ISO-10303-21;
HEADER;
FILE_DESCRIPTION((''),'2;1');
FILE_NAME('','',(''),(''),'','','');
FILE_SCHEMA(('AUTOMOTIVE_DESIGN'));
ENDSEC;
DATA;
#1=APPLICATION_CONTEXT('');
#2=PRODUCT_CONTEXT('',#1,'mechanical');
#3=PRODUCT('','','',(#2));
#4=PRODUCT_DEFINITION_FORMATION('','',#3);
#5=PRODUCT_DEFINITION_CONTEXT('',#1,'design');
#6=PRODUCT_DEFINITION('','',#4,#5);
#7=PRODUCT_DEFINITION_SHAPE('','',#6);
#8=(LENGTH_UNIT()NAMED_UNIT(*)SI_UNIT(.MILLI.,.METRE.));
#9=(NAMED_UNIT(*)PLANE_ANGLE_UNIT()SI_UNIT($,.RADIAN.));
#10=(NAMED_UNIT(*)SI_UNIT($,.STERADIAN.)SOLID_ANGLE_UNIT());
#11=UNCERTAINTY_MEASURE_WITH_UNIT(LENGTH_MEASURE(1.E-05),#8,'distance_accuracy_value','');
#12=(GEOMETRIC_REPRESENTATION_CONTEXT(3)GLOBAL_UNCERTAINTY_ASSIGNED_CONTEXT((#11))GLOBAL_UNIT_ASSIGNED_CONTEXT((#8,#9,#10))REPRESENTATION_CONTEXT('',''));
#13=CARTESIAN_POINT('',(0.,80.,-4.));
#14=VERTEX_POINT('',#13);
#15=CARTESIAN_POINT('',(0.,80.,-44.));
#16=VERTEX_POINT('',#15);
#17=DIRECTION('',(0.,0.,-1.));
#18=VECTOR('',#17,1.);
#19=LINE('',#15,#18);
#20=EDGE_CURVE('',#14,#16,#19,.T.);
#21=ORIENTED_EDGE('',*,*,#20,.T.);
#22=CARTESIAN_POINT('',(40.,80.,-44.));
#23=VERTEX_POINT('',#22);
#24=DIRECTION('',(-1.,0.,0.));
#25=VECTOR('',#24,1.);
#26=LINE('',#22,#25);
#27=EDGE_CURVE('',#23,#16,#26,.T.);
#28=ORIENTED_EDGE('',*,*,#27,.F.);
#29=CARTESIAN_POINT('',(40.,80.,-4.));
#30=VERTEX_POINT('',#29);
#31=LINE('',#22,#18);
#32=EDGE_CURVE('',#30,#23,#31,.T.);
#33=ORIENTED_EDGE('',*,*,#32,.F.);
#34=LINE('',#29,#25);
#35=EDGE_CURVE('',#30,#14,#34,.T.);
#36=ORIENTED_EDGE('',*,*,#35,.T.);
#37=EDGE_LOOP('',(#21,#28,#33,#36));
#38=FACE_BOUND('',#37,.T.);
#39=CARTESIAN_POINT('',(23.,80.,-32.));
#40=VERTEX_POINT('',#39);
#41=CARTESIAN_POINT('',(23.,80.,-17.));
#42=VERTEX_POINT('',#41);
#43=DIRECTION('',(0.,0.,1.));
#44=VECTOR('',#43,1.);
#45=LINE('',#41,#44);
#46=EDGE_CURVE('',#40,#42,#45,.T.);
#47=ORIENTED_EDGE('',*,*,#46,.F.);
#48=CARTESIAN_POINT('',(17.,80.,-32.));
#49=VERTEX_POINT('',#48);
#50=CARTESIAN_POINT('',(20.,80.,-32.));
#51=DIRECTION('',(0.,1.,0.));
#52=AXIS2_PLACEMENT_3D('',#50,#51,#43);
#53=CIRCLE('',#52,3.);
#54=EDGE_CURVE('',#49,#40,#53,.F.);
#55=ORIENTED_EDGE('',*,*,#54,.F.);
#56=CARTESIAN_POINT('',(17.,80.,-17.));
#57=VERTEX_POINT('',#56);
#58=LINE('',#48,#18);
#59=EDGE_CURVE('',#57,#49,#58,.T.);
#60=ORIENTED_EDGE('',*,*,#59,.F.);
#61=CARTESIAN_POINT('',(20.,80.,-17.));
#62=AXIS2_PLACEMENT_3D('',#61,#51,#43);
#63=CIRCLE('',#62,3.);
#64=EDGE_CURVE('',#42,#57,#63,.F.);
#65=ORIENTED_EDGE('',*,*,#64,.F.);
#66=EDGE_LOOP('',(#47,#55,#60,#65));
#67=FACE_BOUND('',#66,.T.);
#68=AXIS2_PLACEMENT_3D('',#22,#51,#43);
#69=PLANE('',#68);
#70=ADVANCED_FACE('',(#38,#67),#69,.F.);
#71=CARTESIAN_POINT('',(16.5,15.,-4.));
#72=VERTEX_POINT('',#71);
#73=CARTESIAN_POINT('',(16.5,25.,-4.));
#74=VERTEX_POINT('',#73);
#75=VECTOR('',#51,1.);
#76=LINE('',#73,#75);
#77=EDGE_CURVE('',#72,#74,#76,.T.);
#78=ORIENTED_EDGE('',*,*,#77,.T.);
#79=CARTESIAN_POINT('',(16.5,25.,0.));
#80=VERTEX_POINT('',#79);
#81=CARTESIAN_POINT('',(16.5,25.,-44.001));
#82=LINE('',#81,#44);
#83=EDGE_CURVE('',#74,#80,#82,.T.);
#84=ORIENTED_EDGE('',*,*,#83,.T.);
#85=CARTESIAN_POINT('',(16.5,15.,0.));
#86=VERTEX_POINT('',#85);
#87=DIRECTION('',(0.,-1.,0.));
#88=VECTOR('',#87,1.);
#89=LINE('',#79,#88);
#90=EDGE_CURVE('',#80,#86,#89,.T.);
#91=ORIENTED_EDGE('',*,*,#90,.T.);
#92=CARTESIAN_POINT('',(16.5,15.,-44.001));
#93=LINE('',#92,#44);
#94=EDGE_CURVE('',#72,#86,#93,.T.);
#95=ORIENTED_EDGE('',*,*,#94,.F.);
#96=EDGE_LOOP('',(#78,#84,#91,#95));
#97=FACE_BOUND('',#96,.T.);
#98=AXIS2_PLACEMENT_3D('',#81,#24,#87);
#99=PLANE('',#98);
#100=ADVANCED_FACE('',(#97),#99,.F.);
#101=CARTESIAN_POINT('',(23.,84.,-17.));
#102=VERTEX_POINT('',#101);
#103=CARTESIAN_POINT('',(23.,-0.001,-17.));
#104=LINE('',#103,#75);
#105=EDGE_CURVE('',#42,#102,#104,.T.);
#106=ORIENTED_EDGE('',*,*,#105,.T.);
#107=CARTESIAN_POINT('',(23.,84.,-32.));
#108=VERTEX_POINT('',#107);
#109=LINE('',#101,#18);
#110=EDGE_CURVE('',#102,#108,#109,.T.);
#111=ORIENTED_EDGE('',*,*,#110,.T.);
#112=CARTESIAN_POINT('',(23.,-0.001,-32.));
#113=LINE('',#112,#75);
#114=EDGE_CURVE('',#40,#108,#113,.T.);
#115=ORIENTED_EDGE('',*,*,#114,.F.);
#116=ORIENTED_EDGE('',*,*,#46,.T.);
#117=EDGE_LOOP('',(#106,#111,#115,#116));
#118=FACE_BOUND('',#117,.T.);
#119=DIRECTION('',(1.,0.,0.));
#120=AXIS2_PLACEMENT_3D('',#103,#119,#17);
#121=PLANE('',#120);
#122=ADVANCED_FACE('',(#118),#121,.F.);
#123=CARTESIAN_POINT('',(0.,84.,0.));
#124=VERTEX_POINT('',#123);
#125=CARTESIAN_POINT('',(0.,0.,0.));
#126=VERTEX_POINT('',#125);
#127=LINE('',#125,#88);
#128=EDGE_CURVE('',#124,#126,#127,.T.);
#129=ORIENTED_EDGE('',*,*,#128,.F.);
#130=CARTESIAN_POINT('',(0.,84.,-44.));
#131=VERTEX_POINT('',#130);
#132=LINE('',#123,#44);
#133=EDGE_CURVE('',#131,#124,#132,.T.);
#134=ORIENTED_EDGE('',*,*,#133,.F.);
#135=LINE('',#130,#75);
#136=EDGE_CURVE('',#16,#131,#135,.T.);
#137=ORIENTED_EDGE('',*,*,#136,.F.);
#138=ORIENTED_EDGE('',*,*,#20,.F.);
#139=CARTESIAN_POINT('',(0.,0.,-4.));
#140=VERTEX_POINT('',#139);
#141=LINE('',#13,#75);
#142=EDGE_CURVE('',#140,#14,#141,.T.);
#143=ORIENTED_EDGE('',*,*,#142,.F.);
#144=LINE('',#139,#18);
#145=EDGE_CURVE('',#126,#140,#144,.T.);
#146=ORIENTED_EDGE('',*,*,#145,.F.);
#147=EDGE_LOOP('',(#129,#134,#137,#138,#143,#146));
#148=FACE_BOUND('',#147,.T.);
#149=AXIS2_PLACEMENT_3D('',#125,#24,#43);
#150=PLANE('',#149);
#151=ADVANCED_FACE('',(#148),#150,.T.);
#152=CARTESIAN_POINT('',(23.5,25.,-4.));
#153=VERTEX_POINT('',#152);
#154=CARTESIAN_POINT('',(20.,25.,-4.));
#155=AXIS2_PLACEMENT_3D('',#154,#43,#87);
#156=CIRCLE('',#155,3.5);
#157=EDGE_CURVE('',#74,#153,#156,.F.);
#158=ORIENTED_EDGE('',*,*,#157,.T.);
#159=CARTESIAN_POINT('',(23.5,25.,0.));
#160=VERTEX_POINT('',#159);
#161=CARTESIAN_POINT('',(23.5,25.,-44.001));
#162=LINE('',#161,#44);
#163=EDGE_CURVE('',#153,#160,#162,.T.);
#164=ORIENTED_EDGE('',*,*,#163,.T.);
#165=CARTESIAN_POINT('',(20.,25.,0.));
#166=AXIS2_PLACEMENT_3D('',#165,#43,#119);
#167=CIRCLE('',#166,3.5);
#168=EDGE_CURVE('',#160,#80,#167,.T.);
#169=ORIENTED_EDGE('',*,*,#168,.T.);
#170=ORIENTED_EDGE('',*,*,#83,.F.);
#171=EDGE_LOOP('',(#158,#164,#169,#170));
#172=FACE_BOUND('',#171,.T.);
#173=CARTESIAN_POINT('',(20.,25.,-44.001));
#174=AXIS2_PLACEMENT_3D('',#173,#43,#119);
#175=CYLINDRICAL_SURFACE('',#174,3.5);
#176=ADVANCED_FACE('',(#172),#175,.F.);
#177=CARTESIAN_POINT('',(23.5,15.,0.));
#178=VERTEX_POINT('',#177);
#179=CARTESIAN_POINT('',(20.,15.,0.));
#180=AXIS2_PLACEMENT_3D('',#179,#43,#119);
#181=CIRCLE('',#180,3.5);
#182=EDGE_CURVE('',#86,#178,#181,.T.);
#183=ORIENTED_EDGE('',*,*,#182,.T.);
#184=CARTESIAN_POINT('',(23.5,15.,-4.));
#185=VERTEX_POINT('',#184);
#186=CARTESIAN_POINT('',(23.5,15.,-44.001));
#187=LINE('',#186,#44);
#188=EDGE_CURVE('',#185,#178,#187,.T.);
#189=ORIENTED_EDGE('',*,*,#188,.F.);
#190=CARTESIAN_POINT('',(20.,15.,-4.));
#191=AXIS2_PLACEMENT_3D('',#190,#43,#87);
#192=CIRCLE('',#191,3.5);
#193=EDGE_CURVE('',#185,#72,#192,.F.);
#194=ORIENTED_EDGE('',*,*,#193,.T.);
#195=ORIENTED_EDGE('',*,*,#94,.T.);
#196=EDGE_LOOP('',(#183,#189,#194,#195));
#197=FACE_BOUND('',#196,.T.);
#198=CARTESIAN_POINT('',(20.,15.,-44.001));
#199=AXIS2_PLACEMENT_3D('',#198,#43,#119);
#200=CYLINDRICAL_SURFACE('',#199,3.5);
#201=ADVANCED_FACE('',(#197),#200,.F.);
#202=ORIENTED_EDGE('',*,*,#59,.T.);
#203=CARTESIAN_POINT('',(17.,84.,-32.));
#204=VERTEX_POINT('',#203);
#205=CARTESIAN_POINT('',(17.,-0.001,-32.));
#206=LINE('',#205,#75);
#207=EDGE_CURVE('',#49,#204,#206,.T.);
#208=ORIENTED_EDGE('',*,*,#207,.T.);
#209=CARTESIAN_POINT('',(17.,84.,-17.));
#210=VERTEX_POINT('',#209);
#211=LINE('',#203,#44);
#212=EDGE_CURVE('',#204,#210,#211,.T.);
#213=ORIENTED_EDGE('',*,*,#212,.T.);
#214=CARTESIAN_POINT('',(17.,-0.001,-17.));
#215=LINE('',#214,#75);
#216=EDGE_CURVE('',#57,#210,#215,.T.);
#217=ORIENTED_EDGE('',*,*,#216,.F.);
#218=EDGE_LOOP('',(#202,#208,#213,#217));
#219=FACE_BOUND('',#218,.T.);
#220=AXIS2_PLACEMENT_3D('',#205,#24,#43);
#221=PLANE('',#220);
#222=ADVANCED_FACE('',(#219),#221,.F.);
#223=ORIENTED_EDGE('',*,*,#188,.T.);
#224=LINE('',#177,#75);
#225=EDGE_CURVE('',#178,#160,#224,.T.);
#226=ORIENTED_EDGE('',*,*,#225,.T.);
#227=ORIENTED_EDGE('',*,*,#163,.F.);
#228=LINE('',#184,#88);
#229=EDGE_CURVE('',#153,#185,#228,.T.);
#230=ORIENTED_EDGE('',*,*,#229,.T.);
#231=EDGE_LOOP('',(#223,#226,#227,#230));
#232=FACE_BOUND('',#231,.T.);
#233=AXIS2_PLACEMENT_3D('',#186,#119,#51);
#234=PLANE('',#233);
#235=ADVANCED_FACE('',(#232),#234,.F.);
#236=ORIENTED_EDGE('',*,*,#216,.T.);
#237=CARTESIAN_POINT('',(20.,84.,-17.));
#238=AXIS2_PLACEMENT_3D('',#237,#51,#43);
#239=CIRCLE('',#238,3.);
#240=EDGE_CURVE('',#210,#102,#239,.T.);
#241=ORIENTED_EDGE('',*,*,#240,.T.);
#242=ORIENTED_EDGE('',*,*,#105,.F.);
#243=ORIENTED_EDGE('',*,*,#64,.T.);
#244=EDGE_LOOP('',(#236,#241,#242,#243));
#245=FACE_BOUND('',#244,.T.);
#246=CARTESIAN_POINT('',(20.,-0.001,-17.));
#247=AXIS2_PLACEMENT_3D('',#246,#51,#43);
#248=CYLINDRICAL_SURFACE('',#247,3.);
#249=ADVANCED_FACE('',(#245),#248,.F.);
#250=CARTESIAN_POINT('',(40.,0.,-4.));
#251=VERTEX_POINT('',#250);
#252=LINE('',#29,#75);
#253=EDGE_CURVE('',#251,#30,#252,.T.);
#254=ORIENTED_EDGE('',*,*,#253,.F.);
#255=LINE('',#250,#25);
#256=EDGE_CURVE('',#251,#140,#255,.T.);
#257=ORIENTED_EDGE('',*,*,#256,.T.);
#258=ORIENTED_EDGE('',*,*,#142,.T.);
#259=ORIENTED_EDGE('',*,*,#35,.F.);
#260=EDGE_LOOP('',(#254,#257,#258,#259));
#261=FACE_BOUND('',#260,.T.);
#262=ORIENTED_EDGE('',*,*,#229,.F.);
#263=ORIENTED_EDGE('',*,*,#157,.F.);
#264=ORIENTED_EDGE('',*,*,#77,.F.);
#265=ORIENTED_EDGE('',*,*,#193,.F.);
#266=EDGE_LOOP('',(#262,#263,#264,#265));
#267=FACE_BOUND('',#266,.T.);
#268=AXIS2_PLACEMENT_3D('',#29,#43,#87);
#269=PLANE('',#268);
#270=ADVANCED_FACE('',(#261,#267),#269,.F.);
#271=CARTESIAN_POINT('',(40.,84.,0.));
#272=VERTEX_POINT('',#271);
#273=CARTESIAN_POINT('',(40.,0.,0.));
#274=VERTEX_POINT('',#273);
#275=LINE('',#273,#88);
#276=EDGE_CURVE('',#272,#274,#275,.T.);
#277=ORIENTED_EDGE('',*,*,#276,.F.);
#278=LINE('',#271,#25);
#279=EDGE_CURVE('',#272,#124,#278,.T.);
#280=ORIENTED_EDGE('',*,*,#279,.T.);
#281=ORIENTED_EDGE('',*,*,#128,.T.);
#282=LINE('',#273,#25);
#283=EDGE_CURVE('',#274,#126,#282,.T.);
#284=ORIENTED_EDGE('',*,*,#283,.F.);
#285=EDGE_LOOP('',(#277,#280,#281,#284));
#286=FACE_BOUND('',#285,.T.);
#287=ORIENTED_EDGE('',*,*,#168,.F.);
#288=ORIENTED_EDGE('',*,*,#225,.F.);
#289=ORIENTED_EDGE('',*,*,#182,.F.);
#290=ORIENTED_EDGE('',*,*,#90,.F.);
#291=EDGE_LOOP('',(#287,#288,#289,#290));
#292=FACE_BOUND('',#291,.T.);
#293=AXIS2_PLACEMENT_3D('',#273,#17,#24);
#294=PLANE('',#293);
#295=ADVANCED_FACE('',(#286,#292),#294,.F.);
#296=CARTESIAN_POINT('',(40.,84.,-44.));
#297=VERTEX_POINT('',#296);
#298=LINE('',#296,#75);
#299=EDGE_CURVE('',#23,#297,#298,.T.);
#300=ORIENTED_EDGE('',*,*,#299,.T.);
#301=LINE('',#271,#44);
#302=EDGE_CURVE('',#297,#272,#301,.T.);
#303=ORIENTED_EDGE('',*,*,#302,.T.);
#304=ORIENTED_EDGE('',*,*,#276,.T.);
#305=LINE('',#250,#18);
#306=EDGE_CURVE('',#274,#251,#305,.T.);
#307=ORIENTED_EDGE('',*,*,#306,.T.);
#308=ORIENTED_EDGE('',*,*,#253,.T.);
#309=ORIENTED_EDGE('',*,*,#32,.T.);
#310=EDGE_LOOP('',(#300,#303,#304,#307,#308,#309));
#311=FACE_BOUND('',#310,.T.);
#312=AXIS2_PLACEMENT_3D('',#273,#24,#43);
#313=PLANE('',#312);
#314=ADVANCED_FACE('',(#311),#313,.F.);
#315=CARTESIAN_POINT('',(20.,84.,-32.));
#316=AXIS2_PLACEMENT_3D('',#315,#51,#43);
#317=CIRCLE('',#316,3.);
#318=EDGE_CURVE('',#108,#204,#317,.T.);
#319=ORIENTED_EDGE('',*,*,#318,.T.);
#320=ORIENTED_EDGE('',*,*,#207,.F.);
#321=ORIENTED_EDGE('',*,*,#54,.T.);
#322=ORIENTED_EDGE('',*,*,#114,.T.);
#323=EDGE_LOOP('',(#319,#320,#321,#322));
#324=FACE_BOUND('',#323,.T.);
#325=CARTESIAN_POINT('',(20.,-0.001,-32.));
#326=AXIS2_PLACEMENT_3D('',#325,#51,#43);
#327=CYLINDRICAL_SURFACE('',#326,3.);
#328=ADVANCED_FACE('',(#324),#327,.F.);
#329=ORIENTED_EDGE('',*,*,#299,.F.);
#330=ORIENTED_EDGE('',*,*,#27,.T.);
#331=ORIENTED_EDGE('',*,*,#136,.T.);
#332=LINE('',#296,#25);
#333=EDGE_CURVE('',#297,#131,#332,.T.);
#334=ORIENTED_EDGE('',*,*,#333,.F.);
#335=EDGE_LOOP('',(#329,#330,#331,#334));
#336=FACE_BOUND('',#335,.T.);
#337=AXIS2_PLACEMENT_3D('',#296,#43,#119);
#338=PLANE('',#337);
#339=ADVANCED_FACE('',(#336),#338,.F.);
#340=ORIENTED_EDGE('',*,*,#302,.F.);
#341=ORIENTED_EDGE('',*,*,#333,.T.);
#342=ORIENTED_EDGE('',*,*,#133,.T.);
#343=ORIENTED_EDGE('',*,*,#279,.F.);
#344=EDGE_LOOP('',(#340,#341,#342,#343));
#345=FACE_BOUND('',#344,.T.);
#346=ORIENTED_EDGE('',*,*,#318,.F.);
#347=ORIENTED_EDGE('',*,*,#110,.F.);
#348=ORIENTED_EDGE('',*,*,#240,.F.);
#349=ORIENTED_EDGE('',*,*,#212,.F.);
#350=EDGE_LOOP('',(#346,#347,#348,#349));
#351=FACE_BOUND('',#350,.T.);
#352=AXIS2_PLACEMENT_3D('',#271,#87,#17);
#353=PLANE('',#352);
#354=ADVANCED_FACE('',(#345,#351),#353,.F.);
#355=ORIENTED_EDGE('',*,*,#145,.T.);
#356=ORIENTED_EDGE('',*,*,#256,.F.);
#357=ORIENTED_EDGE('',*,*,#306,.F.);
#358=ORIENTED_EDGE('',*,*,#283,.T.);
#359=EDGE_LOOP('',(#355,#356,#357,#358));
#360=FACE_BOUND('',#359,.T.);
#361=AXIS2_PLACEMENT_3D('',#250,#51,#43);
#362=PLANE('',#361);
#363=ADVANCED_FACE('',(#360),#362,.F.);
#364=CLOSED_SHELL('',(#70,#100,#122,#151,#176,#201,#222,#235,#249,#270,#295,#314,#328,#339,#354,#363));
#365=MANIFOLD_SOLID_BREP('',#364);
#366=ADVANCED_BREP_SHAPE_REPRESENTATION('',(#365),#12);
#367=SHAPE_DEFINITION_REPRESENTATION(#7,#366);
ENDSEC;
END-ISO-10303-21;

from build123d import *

# Parameters (mm, degrees)
EXTRUDE_1_DEPTH     = 40
CUT_EXTRUDE_1_REACH = 104.917
CUT_EXTRUDE_2_REACH = 104.917


with BuildPart() as part:
    # 草图1 → 凸台-拉伸1 (new body)
    with BuildSketch(Plane(origin=(0, 0, 0), x_dir=(0, 0, -1), z_dir=(1, 0, 0))):
        Polygon((0, 0), (0, 84), (44, 84), (44, 80), (4, 80), (4, 0), align=None)
    extrude(amount=EXTRUDE_1_DEPTH)

    # 草图2 → 切除-拉伸1 (cut, up to next)
    with BuildSketch(Plane(origin=(0, 84, 0), x_dir=(1, 0, 0), z_dir=(0, 1, 0)), mode=Mode.PRIVATE) as cut_extrude_1_sk1:
        with BuildLine():
            Line((17, 32), (17, 17))
            ThreePointArc((17, 17), (20, 14), (23, 17))
            Line((23, 17), (23, 32))
            ThreePointArc((23, 32), (20, 35), (17, 32))
        make_face()
    cut_extrude_1_tool1 = extrude(cut_extrude_1_sk1.sketch, amount=-CUT_EXTRUDE_1_REACH, mode=Mode.PRIVATE) & part.part
    add(cut_extrude_1_tool1.solids().sort_by_distance((20, 84, -24.5))[0], mode=Mode.SUBTRACT)

    # 草图3 → 切除-拉伸2 (cut, up to next)
    with BuildSketch(Plane.XY, mode=Mode.PRIVATE) as cut_extrude_2_sk1:
        with BuildLine():
            Line((23.5, 15), (23.5, 25))
            ThreePointArc((23.5, 25), (20, 28.5), (16.5, 25))
            Line((16.5, 25), (16.5, 15))
            ThreePointArc((16.5, 15), (20, 11.5), (23.5, 15))
        make_face()
    cut_extrude_2_tool1 = extrude(cut_extrude_2_sk1.sketch, amount=-CUT_EXTRUDE_2_REACH, mode=Mode.PRIVATE) & part.part
    add(cut_extrude_2_tool1.solids().sort_by_distance((20, 20, 0))[0], mode=Mode.SUBTRACT)


solid = part.part
